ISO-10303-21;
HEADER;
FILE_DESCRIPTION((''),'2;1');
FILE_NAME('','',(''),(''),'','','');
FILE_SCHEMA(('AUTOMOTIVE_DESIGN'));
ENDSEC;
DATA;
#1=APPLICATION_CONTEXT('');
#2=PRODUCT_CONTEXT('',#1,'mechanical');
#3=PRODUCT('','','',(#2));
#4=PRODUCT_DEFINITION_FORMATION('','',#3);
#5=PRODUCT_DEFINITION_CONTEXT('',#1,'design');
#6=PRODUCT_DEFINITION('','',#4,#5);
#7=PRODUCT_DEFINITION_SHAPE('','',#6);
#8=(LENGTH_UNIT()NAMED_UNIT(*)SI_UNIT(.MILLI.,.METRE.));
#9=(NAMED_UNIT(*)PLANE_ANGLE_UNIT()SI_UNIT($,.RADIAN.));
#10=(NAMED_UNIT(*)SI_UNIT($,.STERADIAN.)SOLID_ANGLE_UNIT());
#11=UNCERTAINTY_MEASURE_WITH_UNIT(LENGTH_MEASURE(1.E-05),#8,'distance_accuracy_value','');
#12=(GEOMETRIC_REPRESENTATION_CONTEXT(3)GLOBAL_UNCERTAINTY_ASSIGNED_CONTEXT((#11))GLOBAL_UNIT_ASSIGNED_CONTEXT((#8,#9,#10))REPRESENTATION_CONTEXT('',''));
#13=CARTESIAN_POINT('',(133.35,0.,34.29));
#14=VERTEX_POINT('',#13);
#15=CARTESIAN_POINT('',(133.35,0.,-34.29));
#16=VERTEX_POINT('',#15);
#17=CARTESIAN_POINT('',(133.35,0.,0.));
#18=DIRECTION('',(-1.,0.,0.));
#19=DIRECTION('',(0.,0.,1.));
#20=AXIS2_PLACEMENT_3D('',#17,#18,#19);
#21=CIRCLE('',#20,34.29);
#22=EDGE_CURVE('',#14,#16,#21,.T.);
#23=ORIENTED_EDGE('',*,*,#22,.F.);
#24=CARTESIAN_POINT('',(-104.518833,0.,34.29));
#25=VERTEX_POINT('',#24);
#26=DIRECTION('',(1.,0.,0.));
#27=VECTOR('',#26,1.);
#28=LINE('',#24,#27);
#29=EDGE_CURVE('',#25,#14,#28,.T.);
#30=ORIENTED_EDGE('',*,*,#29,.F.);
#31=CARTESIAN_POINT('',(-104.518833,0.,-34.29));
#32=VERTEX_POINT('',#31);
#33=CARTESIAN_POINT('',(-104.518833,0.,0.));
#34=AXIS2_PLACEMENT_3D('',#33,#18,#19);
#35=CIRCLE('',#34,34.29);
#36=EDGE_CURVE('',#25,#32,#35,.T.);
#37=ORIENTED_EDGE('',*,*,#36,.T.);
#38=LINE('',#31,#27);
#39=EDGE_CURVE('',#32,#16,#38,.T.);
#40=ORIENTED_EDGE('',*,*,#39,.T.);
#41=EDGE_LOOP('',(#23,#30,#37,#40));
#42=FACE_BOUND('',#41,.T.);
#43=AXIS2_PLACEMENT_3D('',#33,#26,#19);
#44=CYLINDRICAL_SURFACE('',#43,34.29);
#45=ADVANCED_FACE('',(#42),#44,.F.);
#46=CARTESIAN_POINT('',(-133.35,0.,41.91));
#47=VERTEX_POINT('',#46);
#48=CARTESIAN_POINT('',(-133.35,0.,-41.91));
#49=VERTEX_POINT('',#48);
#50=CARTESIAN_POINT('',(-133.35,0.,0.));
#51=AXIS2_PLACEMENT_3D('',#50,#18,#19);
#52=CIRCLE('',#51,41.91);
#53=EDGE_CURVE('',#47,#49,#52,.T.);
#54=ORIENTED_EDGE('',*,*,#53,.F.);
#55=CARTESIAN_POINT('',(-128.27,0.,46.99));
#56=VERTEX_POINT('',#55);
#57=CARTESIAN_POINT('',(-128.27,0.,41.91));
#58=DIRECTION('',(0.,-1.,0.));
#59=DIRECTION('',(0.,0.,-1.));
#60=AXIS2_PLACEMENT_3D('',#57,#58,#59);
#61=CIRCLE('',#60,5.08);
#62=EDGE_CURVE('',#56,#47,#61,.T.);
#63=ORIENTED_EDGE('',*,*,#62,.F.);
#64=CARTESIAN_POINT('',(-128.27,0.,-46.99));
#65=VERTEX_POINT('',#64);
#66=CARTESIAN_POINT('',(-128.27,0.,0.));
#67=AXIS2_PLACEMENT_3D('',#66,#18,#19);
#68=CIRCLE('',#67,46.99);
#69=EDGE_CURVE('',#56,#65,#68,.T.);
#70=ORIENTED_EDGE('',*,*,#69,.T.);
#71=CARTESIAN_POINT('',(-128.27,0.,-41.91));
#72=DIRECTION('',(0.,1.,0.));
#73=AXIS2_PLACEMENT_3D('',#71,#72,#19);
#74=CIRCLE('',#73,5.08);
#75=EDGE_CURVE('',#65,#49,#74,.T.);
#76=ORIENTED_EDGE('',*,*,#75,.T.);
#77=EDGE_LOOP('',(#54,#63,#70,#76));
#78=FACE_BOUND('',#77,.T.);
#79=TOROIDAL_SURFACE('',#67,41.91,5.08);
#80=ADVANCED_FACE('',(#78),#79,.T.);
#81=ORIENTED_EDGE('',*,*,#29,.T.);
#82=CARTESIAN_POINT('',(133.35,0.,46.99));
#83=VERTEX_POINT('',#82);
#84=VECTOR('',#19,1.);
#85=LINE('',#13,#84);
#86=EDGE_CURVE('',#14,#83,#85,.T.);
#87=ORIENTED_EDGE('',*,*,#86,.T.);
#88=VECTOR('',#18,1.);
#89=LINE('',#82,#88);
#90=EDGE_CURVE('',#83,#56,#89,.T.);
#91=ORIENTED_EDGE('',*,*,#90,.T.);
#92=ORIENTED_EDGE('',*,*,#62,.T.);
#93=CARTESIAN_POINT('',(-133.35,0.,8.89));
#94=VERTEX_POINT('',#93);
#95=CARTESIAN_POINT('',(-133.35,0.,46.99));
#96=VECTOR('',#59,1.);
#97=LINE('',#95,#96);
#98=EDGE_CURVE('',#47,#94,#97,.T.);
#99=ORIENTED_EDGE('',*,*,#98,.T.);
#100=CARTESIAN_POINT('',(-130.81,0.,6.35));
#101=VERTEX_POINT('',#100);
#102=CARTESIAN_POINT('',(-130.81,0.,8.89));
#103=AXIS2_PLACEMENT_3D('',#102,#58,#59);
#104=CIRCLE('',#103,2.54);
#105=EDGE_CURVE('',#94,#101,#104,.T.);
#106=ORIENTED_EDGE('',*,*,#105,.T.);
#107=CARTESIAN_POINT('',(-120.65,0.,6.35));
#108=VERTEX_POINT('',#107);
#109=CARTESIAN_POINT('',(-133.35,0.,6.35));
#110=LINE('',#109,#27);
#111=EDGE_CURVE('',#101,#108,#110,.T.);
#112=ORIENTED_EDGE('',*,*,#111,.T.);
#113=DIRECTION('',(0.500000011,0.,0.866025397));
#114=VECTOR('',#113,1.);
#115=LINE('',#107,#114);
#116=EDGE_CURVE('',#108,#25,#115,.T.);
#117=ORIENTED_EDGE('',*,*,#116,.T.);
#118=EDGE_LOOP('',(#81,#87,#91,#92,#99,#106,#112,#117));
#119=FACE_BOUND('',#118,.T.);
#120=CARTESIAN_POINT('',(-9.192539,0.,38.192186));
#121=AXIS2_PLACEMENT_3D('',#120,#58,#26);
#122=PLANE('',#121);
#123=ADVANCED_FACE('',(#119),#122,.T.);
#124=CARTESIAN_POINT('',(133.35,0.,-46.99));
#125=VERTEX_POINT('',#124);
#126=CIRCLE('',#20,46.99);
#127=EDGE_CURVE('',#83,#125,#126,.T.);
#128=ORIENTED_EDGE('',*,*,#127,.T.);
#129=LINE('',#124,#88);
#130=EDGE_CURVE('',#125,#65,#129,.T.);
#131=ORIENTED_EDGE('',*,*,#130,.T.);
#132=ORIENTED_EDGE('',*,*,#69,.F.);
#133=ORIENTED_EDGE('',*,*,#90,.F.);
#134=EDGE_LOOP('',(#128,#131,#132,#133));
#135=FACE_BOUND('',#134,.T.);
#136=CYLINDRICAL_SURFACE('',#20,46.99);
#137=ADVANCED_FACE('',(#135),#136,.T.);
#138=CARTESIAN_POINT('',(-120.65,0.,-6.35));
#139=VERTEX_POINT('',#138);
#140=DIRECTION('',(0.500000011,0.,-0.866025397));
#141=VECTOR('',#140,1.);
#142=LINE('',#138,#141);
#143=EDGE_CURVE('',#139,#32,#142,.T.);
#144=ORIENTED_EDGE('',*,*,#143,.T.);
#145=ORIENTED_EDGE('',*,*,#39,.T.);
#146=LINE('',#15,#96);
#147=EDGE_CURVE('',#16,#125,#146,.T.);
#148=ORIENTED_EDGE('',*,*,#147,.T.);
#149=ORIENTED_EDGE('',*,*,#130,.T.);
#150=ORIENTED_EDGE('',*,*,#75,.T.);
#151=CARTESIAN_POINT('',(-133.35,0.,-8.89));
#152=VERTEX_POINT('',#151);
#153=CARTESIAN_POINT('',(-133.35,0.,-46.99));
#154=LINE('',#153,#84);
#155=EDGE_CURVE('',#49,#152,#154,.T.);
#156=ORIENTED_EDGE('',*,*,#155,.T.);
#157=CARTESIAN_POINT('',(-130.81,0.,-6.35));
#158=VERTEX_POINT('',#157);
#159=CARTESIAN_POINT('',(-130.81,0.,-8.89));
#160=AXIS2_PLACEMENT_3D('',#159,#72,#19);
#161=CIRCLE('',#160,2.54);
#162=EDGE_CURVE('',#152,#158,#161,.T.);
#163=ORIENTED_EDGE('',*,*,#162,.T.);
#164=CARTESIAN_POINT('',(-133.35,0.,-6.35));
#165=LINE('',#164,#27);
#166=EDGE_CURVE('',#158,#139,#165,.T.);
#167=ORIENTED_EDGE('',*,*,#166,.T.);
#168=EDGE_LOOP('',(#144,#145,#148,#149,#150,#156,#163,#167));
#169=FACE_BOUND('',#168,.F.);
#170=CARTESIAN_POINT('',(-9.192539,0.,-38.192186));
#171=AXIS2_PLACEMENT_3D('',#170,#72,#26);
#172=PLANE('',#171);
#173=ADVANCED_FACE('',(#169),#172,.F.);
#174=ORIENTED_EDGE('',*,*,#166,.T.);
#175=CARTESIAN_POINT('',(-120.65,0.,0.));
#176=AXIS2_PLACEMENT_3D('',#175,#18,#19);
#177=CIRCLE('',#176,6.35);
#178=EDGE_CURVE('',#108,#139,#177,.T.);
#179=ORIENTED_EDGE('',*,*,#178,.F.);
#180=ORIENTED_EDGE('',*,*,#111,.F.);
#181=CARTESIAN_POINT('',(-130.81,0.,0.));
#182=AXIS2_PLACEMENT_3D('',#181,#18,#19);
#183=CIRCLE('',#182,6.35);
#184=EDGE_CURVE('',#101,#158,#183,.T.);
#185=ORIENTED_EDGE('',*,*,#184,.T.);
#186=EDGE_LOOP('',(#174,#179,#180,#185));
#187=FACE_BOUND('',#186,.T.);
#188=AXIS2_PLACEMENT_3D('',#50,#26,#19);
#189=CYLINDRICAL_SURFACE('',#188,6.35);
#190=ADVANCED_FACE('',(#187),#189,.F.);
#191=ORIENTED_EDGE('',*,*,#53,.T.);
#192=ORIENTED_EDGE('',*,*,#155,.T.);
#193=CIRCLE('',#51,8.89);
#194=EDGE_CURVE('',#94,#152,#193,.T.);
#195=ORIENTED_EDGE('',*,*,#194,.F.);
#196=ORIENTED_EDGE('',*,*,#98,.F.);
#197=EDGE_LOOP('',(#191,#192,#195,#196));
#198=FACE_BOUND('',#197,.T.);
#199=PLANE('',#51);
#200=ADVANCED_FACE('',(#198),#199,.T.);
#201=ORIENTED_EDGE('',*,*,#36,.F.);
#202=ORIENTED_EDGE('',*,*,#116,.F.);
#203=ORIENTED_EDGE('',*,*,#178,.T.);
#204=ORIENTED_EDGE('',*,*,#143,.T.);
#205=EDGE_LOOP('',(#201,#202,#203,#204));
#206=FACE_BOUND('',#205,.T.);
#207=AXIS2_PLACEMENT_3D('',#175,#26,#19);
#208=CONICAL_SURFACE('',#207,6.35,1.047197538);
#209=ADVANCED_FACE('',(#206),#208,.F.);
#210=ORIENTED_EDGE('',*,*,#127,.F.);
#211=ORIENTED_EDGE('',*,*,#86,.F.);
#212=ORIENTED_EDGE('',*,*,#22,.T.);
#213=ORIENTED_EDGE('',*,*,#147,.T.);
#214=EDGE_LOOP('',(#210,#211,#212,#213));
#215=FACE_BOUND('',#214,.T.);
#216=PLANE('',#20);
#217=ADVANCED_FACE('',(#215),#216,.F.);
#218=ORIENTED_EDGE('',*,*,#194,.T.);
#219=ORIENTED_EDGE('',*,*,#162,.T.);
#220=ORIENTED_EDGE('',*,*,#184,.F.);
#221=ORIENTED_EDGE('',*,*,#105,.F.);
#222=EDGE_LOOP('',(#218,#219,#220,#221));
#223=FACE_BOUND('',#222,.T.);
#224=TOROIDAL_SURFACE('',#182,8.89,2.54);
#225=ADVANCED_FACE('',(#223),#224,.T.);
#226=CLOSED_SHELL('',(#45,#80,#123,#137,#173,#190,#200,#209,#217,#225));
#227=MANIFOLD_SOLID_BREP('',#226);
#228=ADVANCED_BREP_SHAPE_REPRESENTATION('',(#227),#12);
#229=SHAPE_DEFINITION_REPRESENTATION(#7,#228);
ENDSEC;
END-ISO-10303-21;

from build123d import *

# Parameters (mm, degrees)
F1_ANGLE = -180
F2_R     = 5.08
F3_R     = 2.54


with BuildPart() as f1:
    # F0 (on Front) → F1 (revolve)
    with BuildSketch(Plane.XZ):
        Polygon((133.35, 46.99), (-133.35, 46.99), (-133.35, 6.35), (-120.65, 6.35), (-104.518833, 34.29), (133.35, 34.29), align=None)
    revolve(axis=Axis((1.08064, 0, 0), (1, 0, 0)), revolution_arc=F1_ANGLE)

    # F2
    f2_edges = [f1.edges().sort_by_distance(p)[0] for p in [
        (-133.35, 46.99, 0),
    ]]
    fillet(f2_edges, radius=F2_R)

    # F3
    f3_edges = [f1.edges().sort_by_distance(p)[0] for p in [
        (-133.35, 6.35, 0),
    ]]
    fillet(f3_edges, radius=F3_R)


solid = f1.part
